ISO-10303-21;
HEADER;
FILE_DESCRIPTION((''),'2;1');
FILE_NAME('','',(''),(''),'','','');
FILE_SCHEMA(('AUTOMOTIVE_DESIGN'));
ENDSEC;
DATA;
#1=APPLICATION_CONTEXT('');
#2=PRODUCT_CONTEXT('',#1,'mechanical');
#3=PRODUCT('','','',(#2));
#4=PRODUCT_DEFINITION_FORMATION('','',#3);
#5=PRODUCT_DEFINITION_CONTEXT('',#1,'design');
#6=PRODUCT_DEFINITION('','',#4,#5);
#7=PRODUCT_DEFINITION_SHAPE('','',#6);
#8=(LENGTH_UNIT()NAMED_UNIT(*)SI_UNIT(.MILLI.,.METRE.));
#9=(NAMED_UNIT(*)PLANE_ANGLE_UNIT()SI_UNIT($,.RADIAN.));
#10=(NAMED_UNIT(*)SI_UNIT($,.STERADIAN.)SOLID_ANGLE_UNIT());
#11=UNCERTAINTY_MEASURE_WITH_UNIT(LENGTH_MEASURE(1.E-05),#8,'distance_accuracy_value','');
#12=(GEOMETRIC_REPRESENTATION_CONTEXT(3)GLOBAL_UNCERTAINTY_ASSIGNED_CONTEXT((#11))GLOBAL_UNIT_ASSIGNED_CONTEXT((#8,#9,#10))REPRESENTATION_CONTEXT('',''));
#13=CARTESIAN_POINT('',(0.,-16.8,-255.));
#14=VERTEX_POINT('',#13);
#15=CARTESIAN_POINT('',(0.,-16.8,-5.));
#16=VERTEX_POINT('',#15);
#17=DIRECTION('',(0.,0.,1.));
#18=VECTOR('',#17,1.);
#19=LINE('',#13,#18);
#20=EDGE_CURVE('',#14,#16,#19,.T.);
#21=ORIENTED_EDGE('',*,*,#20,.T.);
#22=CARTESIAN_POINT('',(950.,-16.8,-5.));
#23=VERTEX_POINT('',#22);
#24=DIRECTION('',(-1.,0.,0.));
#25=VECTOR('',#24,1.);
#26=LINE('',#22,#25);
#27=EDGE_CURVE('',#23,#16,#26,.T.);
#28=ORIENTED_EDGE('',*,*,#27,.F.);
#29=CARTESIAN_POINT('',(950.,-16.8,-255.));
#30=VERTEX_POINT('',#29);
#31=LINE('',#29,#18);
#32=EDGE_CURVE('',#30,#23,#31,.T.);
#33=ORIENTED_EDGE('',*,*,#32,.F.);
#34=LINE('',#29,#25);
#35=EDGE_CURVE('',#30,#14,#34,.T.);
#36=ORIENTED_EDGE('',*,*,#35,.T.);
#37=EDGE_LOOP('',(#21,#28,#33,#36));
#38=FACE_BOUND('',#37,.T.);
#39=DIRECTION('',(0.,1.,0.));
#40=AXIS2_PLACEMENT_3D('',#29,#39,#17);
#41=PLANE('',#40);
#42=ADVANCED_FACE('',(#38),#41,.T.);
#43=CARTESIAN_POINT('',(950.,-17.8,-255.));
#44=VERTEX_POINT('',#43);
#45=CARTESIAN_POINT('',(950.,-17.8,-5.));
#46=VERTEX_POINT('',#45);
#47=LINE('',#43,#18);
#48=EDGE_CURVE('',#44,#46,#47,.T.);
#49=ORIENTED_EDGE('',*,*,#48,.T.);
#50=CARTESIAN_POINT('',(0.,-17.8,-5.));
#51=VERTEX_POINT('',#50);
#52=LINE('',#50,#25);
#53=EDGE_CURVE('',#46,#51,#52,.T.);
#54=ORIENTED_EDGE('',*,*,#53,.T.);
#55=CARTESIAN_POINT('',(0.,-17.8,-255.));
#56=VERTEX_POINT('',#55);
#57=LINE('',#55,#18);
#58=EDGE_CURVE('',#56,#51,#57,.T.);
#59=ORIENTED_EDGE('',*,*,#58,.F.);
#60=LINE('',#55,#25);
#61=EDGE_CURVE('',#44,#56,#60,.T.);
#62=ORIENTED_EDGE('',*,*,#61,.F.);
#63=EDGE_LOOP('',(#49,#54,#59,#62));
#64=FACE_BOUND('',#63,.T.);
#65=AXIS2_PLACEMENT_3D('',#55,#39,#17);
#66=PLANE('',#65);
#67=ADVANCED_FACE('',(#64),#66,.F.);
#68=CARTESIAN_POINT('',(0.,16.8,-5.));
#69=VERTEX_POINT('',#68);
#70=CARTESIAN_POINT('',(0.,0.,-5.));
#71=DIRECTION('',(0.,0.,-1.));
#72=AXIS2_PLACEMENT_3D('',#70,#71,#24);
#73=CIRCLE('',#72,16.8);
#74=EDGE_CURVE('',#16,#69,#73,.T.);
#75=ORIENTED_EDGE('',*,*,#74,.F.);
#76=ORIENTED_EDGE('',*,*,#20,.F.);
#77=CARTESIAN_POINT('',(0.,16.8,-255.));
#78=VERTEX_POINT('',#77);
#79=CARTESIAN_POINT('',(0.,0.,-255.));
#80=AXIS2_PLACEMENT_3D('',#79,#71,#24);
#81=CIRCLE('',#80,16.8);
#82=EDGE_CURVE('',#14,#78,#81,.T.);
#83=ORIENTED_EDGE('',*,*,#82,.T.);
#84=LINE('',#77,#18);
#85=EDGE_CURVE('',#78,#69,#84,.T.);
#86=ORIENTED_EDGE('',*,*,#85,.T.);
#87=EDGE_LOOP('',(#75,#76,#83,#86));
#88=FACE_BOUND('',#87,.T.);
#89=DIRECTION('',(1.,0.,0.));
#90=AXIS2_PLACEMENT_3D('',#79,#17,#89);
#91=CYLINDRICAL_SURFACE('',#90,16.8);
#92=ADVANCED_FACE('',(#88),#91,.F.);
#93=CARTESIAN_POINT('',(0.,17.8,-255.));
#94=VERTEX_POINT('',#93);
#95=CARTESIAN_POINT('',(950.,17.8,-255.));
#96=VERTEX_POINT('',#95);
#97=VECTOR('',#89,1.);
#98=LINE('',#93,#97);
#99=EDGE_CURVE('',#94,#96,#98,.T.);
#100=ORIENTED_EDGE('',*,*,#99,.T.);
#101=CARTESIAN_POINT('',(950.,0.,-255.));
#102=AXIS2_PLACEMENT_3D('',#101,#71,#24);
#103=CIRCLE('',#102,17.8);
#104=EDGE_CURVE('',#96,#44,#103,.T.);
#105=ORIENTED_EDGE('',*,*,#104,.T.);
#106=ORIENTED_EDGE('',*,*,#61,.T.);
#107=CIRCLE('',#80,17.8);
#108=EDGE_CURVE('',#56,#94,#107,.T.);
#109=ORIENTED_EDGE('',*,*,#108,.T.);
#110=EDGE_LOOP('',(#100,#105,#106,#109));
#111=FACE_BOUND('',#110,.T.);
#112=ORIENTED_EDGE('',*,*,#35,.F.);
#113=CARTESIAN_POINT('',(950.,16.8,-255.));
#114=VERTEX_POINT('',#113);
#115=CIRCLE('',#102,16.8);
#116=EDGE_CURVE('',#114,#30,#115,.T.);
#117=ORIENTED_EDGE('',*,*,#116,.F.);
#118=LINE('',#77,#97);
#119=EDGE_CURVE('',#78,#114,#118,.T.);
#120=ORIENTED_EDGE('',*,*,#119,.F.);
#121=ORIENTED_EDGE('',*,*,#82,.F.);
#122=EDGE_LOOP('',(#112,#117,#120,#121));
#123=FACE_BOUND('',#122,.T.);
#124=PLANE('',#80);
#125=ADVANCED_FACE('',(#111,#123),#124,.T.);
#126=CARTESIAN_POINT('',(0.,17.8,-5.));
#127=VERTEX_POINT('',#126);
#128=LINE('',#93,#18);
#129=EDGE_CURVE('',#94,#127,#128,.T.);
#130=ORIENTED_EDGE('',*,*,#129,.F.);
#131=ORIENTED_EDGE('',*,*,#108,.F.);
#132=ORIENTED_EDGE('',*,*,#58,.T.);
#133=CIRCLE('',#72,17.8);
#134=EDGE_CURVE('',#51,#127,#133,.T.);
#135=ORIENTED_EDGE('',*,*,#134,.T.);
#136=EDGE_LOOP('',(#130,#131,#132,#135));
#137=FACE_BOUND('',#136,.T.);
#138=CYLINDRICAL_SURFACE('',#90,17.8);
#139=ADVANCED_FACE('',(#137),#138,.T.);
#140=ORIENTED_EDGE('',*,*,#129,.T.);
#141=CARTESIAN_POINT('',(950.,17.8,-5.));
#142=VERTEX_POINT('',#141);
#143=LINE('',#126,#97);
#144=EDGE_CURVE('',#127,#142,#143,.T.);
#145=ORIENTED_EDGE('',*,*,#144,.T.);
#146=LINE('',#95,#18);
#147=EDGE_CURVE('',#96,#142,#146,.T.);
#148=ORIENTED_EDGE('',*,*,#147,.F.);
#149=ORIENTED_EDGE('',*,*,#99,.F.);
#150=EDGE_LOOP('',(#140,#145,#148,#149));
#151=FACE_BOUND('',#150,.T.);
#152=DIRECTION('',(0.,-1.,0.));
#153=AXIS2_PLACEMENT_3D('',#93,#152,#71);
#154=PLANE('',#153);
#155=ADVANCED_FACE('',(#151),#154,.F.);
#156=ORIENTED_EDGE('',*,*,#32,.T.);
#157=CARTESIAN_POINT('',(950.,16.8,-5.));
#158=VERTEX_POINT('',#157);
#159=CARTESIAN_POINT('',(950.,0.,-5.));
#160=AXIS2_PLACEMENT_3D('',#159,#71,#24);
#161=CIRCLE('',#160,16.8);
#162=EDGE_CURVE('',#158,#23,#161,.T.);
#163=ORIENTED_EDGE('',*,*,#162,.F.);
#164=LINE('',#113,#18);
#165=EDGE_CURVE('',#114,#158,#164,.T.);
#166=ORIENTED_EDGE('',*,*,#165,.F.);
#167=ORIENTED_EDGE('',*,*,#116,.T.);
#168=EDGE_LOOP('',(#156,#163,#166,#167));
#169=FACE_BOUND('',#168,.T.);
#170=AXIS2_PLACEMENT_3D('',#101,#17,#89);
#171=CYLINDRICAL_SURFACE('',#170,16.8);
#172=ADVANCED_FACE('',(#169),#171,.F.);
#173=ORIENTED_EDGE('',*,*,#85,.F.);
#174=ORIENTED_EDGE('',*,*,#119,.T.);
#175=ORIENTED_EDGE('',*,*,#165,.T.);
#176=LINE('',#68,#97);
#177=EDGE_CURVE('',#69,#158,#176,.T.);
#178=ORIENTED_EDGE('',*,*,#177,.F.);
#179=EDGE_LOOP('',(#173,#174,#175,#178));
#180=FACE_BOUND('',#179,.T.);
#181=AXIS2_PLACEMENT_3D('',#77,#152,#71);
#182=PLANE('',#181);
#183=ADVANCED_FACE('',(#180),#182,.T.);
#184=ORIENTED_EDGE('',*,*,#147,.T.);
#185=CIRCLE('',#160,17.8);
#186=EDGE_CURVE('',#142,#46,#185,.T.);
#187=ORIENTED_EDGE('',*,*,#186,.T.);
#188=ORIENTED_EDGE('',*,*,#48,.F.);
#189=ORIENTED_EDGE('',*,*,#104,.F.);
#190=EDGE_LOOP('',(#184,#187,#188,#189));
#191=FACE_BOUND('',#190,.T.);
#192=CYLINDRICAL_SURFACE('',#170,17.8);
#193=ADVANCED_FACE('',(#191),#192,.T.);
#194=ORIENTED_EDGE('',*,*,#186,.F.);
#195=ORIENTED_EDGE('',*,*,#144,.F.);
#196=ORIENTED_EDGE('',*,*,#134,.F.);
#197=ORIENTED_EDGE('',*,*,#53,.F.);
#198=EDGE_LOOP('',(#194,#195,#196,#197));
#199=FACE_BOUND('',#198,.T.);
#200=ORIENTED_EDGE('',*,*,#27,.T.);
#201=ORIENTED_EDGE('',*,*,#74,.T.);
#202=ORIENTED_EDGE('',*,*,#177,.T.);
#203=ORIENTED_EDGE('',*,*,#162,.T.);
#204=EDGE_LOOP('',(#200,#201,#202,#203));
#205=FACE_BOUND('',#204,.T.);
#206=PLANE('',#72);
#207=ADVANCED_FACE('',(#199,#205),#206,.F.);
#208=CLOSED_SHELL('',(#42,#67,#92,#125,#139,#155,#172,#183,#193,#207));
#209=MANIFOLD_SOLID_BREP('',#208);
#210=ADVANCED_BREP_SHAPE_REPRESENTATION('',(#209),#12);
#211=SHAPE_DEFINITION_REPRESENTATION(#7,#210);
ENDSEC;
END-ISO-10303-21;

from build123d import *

# Parameters (mm, degrees)
EXTRUDE_THIN1_START = -5
EXTRUDE_THIN1_DEPTH = 250


with BuildPart() as part:
    # Sketch2 → Extrude-Thin1 (new body)
    with BuildSketch(Plane.XY.offset(EXTRUDE_THIN1_START)):
        with BuildLine():
            Line((950, -17.8), (0, -17.8))
            ThreePointArc((0, -17.8), (-17.8, 0), (0, 17.8))
            Line((0, 17.8), (950, 17.8))
            ThreePointArc((950, 17.8), (967.8, 0), (950, -17.8))
        make_face()
        with BuildLine():
            Line((950, -16.8), (0, -16.8))
            ThreePointArc((0, -16.8), (-16.8, 0), (0, 16.8))
            Line((0, 16.8), (950, 16.8))
            ThreePointArc((950, 16.8), (966.8, 0), (950, -16.8))
        make_face(mode=Mode.SUBTRACT)
    extrude(amount=-EXTRUDE_THIN1_DEPTH)


solid = part.part
